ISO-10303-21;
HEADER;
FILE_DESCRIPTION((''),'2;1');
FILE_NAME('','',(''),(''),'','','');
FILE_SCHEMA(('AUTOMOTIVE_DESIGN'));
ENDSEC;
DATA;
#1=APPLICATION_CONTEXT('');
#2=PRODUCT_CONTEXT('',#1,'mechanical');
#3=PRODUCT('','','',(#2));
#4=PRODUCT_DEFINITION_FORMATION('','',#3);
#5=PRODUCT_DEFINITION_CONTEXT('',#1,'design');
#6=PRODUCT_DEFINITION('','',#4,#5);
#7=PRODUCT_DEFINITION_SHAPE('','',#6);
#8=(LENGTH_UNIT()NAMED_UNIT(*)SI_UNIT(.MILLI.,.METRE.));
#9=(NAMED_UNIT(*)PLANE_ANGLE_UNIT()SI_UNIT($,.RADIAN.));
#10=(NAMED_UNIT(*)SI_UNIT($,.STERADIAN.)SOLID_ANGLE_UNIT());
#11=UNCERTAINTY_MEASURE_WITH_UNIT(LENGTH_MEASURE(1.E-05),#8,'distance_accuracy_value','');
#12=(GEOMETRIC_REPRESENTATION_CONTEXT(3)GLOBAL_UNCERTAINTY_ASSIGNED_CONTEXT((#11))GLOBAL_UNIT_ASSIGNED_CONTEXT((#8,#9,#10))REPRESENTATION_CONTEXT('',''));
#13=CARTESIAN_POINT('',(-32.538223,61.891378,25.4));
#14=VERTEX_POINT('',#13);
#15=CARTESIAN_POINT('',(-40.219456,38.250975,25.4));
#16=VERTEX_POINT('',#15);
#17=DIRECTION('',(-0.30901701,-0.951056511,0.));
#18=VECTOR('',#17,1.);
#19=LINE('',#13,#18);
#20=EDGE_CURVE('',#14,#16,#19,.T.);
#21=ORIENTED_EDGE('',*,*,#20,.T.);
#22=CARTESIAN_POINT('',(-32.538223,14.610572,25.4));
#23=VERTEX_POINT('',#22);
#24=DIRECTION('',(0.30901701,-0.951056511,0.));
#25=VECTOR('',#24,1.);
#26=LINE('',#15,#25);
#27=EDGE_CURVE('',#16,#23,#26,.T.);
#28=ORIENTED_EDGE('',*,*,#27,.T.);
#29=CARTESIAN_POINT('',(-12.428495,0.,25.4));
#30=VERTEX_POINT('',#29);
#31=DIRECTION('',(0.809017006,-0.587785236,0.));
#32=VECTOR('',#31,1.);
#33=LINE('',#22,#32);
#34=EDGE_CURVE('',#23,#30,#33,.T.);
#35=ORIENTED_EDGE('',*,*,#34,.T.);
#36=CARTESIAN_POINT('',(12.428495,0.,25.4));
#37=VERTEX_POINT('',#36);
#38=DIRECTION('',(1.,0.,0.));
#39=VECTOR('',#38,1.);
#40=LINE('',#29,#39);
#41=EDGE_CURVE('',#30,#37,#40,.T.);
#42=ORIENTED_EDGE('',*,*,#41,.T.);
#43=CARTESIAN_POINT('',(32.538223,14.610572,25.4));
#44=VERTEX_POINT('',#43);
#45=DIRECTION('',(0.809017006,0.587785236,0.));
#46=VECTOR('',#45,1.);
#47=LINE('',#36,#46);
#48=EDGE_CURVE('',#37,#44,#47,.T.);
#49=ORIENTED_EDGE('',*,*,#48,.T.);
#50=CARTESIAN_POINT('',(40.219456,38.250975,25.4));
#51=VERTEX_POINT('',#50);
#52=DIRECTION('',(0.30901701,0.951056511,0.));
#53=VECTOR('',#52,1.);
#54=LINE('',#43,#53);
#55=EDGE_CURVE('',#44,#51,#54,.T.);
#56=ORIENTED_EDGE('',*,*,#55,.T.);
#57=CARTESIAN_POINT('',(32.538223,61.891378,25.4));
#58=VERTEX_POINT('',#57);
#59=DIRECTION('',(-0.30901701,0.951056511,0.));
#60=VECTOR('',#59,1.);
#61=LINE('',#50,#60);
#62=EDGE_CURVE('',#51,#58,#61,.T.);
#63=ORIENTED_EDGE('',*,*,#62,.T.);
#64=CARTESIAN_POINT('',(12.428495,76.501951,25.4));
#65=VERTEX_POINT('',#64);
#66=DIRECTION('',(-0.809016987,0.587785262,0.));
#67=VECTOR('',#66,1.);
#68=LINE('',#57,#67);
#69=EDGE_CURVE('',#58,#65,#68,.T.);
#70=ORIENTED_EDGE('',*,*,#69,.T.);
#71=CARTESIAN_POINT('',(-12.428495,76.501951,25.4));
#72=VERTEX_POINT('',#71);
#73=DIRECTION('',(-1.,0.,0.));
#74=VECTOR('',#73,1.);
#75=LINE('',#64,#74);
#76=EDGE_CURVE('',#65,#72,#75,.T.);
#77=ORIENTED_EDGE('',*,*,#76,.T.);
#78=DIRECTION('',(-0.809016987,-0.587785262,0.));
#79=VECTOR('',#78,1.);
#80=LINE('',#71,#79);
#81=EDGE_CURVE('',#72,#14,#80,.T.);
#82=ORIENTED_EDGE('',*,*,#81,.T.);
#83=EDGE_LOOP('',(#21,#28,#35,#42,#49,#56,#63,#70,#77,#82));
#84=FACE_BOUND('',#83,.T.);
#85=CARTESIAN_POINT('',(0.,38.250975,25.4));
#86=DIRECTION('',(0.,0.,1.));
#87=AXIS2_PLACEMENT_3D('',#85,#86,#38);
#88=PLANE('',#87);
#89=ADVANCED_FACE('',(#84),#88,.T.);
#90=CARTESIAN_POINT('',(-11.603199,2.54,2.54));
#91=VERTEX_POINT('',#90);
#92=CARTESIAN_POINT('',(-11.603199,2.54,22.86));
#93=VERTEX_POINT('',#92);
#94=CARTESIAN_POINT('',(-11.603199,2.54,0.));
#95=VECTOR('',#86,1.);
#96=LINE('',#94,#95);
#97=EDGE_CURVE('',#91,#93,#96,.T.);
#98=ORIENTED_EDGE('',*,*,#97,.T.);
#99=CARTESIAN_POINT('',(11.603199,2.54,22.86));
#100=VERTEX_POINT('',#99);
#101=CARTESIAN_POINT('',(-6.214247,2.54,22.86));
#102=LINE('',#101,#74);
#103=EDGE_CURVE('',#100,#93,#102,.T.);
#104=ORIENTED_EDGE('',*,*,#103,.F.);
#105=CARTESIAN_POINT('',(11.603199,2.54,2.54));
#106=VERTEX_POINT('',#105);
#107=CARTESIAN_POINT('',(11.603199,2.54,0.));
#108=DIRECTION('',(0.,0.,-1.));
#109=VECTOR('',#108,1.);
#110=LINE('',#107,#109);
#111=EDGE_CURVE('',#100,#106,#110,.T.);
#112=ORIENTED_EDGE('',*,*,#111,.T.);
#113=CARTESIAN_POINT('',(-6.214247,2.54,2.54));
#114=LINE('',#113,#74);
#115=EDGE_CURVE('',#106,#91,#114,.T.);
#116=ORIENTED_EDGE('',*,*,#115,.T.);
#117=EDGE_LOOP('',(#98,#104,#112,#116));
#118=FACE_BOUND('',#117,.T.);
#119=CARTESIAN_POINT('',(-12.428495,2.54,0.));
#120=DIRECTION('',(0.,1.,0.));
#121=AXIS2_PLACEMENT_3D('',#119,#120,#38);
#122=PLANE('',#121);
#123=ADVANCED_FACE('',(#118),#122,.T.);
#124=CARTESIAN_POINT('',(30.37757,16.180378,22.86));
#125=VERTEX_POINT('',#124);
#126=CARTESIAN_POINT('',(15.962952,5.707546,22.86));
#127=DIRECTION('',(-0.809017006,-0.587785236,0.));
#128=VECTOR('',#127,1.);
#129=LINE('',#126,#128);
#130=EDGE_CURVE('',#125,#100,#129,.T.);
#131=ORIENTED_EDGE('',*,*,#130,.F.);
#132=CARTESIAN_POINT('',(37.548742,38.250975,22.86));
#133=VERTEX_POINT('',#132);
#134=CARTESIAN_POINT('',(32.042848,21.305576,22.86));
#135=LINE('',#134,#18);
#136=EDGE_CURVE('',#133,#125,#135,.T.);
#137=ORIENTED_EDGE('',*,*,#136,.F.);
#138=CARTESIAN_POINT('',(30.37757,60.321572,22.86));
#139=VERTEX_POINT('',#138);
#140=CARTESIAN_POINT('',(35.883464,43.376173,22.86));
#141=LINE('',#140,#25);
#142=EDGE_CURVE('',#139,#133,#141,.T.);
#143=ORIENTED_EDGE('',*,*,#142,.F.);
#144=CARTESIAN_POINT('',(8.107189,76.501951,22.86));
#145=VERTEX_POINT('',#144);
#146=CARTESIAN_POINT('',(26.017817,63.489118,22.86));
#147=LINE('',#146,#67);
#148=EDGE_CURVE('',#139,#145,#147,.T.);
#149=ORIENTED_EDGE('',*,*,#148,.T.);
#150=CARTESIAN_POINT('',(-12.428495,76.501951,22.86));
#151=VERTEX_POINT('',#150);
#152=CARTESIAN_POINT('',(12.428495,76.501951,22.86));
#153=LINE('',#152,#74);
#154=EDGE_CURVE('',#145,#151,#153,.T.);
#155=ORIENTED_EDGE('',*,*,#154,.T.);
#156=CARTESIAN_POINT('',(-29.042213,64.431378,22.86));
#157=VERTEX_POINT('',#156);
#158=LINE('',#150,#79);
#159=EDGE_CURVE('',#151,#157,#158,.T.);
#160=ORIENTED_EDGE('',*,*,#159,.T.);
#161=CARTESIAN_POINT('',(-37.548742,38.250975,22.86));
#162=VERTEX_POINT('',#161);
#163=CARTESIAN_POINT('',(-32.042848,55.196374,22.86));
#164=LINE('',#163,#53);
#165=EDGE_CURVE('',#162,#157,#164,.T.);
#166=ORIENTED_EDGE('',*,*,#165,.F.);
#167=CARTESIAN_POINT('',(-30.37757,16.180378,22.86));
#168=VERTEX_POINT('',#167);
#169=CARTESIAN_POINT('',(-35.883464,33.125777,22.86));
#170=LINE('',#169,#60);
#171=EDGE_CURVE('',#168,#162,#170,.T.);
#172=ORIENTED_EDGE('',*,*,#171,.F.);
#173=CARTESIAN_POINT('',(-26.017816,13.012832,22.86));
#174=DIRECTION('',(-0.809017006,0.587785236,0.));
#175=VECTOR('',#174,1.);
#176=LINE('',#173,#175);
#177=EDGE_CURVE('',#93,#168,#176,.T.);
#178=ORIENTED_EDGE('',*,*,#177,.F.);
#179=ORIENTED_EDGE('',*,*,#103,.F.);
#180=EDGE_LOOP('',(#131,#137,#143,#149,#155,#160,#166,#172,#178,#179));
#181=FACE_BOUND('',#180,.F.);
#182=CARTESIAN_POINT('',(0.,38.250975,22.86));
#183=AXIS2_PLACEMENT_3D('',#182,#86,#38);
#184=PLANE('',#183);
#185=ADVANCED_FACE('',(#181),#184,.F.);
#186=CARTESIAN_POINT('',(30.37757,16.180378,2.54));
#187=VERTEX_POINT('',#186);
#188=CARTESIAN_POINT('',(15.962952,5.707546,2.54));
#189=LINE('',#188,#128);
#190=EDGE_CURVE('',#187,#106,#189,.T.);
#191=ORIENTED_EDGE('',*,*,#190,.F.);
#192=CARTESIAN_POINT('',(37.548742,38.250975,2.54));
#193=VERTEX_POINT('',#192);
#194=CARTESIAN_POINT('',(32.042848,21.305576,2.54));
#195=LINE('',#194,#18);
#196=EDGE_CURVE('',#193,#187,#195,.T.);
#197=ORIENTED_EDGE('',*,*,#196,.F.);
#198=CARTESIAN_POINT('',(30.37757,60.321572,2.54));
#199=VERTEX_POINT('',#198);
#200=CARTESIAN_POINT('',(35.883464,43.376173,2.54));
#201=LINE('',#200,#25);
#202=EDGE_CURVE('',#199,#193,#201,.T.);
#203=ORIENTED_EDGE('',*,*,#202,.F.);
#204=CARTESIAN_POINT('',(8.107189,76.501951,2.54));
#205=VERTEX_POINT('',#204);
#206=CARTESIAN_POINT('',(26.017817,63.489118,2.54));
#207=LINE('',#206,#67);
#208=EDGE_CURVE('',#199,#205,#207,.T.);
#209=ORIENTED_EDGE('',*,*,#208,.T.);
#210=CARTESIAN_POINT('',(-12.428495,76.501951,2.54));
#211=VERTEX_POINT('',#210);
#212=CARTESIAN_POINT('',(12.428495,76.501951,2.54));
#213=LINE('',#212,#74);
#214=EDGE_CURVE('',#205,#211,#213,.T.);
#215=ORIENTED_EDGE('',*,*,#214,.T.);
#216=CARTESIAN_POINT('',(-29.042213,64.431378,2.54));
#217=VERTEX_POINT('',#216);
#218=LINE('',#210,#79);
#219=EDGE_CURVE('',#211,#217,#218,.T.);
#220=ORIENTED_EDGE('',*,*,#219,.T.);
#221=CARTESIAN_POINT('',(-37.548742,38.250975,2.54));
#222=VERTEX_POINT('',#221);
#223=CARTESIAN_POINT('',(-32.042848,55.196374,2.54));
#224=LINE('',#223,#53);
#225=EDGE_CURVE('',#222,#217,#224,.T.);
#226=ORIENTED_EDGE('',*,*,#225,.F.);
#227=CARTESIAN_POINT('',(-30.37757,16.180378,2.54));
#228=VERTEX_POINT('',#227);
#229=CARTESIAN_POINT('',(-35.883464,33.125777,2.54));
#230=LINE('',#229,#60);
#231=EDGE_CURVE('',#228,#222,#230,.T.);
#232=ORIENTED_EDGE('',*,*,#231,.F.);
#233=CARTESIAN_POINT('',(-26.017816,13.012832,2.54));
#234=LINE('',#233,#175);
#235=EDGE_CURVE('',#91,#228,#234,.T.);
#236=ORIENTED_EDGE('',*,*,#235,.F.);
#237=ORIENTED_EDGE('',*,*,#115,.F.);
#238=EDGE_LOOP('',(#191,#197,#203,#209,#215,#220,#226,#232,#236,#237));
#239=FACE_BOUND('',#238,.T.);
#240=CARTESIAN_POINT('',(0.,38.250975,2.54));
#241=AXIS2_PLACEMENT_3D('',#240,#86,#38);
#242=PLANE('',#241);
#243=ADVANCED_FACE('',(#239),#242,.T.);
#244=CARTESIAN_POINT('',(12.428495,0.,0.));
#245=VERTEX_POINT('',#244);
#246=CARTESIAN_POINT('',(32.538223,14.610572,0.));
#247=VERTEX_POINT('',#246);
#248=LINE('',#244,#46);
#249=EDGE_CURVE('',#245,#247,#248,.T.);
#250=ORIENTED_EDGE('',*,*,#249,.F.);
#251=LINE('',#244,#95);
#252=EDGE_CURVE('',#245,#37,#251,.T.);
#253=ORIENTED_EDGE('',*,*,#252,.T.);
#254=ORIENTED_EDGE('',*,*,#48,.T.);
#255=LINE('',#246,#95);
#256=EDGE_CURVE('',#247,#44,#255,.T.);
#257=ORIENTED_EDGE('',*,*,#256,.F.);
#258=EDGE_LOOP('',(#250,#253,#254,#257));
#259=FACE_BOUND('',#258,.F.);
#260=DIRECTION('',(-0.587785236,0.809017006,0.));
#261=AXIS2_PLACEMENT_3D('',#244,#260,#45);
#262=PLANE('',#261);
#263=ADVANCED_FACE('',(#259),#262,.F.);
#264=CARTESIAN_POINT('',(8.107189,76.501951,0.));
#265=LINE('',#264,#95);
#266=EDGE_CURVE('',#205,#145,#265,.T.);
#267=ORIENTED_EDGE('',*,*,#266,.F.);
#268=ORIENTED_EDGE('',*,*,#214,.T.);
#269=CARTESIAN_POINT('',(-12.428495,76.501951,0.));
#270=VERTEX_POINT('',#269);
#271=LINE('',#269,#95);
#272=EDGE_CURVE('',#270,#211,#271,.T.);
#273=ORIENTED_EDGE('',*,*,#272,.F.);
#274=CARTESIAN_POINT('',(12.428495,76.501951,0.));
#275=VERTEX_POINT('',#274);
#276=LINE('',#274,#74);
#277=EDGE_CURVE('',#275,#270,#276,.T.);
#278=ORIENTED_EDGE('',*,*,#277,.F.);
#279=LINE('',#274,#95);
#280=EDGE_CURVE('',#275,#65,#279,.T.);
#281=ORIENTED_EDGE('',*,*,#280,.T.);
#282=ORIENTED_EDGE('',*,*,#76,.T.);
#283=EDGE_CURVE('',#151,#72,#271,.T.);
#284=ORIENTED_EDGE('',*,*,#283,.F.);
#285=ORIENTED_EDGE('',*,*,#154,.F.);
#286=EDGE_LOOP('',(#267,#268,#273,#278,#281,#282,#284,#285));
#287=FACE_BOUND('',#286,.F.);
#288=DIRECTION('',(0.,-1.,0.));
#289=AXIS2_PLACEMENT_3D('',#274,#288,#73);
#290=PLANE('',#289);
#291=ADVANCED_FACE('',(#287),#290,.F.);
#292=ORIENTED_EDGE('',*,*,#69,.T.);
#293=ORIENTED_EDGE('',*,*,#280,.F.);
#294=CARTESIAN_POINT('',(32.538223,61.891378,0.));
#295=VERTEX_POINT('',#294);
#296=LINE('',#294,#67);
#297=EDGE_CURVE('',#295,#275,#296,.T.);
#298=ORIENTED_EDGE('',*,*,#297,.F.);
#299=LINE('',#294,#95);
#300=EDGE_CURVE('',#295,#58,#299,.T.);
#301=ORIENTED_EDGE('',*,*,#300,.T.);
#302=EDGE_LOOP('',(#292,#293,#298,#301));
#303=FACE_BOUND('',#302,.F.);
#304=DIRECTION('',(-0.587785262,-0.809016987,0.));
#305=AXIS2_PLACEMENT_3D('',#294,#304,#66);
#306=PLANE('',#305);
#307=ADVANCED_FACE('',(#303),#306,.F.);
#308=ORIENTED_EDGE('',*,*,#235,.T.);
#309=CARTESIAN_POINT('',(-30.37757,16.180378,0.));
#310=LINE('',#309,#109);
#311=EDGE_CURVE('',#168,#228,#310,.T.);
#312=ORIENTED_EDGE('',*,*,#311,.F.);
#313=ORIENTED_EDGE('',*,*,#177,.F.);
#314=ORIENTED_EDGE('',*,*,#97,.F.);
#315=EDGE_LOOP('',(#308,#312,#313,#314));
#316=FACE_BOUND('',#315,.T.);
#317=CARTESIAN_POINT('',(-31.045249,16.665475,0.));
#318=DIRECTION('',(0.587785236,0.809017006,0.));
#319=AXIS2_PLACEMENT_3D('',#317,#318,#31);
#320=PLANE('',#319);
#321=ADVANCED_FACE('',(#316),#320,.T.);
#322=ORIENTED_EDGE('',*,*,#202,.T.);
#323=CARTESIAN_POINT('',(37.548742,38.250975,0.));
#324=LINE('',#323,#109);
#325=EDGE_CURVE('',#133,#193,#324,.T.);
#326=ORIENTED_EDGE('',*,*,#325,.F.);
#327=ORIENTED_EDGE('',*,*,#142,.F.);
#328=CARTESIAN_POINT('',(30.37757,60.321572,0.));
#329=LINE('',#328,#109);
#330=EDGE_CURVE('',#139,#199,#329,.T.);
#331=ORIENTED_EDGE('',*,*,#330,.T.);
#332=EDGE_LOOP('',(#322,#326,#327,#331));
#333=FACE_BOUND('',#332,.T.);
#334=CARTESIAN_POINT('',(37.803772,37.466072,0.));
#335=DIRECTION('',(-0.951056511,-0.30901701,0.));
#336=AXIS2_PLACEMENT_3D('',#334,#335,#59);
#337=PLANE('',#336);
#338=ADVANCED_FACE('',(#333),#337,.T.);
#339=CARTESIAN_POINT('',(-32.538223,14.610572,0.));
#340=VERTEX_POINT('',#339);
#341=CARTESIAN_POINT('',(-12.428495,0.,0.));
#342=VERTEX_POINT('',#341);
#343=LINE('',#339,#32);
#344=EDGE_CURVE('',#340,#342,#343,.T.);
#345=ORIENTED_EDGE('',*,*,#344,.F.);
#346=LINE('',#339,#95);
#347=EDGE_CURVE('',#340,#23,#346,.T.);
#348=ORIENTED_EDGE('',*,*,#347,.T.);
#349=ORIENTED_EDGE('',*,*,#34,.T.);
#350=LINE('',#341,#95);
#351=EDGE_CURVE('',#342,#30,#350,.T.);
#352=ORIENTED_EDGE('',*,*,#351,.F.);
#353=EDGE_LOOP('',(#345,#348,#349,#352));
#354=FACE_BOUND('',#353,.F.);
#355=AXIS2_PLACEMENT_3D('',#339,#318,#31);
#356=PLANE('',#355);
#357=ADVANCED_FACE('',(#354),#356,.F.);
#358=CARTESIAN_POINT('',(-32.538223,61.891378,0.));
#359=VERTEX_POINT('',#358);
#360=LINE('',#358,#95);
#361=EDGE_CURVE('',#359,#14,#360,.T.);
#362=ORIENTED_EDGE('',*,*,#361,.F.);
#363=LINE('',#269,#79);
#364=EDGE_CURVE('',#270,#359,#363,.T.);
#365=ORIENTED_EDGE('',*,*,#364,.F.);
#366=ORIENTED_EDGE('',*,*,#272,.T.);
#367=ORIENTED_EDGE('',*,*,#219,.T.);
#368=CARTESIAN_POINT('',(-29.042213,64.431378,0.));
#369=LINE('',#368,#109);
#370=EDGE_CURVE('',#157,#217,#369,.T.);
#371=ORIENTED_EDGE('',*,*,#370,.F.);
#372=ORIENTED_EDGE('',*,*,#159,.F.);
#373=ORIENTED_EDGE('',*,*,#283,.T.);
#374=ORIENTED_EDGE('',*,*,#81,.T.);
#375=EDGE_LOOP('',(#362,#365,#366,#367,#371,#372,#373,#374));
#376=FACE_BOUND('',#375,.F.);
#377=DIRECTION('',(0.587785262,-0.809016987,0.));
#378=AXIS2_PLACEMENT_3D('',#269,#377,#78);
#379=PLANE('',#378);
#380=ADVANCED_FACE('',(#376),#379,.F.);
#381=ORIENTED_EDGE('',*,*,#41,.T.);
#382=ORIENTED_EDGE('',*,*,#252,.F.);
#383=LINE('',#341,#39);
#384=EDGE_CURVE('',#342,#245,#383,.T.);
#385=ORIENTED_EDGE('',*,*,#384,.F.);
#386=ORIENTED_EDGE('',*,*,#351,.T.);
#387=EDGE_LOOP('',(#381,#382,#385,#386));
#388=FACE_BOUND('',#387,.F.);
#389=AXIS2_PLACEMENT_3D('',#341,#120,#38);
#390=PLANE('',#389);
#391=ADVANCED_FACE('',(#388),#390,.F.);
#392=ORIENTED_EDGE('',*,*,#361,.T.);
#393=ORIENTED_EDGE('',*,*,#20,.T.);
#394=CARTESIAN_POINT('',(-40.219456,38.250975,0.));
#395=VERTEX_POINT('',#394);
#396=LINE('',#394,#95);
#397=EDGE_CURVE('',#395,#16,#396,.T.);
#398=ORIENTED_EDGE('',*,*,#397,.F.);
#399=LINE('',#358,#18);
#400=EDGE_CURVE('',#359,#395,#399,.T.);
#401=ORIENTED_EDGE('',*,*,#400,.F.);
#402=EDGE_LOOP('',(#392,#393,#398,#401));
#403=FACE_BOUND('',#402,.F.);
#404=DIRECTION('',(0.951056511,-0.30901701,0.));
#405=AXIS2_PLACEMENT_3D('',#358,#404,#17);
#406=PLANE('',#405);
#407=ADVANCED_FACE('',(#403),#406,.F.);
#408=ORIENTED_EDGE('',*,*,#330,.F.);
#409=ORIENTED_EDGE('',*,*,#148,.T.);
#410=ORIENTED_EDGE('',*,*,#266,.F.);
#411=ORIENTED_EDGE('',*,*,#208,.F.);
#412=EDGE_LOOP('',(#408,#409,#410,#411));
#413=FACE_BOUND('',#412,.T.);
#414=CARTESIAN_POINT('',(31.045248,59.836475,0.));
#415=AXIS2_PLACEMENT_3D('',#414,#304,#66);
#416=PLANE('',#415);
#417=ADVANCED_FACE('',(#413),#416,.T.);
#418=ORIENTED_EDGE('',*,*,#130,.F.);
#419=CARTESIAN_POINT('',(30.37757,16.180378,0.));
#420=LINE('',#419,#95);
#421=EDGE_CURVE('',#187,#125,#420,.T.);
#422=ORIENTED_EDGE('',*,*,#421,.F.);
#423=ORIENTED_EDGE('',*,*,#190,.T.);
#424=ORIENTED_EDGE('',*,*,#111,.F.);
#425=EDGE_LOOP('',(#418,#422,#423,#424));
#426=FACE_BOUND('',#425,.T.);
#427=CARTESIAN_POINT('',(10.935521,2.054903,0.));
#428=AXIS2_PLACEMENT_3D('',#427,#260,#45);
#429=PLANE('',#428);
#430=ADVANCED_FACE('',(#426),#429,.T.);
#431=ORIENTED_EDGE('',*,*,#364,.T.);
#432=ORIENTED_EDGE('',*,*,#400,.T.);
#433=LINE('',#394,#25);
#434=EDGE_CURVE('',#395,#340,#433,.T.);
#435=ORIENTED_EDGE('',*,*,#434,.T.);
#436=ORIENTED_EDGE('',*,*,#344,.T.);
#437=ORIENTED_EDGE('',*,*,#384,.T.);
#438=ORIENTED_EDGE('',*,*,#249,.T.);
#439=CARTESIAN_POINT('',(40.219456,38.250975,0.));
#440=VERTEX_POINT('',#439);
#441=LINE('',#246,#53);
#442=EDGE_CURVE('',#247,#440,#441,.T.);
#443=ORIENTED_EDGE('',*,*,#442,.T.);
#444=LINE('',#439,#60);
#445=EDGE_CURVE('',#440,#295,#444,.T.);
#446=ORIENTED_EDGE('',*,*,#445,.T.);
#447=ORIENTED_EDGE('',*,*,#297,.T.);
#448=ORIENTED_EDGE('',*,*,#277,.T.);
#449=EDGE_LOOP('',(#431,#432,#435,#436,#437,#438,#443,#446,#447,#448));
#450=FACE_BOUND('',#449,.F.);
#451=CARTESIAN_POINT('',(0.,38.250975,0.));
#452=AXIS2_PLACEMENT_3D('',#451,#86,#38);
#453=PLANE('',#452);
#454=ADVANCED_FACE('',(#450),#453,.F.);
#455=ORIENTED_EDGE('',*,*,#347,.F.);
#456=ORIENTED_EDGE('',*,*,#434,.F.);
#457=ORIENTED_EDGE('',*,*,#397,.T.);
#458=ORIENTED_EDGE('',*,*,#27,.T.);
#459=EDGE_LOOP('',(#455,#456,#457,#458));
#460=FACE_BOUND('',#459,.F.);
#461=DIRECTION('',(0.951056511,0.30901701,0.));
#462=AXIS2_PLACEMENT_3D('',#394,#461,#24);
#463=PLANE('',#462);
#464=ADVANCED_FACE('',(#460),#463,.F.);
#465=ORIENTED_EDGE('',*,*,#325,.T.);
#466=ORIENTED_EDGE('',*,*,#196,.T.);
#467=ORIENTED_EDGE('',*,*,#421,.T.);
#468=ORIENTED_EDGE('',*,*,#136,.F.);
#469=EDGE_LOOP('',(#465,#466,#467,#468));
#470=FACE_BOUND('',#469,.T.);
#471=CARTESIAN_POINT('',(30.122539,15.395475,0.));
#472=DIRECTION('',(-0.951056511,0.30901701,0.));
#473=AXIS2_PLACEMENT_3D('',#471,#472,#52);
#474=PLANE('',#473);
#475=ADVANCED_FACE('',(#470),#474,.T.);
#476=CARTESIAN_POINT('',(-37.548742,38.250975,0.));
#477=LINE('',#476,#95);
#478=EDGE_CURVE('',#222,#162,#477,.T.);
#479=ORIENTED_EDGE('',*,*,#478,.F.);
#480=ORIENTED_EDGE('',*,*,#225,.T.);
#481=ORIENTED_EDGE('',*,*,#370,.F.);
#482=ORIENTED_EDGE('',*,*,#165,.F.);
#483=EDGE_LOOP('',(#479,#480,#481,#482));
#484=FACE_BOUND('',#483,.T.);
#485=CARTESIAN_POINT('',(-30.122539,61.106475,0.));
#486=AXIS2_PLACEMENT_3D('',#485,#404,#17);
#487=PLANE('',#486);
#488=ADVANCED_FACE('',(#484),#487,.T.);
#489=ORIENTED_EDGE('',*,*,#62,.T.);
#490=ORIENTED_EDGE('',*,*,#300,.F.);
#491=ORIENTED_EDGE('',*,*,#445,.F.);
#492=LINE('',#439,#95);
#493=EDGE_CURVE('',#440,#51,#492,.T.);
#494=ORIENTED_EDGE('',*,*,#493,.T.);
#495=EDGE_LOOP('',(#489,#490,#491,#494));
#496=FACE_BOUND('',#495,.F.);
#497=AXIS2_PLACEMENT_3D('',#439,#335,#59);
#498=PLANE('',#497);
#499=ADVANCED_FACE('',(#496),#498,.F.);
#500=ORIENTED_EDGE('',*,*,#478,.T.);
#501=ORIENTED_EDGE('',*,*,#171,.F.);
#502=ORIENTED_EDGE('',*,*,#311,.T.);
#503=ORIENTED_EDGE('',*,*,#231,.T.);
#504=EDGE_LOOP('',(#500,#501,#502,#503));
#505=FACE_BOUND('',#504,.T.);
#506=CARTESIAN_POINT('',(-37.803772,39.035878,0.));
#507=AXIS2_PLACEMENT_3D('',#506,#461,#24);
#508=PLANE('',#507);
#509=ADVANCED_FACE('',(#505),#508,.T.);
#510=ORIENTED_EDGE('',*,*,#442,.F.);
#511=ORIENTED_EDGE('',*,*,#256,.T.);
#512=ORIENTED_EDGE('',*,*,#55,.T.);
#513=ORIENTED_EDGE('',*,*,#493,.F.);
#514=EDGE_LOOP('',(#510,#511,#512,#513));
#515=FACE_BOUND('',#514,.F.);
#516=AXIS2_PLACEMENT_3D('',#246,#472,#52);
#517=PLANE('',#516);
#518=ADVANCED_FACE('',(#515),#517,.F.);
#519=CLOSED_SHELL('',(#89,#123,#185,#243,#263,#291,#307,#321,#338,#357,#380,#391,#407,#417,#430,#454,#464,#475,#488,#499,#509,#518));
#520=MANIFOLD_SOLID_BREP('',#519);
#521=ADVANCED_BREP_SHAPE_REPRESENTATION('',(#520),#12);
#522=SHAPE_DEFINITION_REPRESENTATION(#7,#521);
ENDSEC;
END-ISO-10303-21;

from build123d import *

# Parameters (mm, degrees)
F1_DEPTH = 25.4
F2_T     = -2.54


with BuildPart() as f1:
    # F0 (on Top) → F1 (new body)
    with BuildSketch(Plane.XY):
        Polygon((-12.428495, 0), (12.428495, 0), (32.538223, 14.610572), (40.219456, 38.250975), (32.538223, 61.891378), (12.428495, 76.501951), (-12.428495, 76.501951), (-32.538223, 61.891378), (-40.219456, 38.250975), (-32.538223, 14.610572), align=None)
    extrude(amount=F1_DEPTH)

    # F2
    f2_openings = [f1.faces().sort_by_distance(p)[0] for p in [
        (-22.483359, 69.196664, 12.7),
        (0, 76.501951, 12.7),
    ]]
    offset(amount=F2_T, openings=f2_openings)


solid = f1.part
